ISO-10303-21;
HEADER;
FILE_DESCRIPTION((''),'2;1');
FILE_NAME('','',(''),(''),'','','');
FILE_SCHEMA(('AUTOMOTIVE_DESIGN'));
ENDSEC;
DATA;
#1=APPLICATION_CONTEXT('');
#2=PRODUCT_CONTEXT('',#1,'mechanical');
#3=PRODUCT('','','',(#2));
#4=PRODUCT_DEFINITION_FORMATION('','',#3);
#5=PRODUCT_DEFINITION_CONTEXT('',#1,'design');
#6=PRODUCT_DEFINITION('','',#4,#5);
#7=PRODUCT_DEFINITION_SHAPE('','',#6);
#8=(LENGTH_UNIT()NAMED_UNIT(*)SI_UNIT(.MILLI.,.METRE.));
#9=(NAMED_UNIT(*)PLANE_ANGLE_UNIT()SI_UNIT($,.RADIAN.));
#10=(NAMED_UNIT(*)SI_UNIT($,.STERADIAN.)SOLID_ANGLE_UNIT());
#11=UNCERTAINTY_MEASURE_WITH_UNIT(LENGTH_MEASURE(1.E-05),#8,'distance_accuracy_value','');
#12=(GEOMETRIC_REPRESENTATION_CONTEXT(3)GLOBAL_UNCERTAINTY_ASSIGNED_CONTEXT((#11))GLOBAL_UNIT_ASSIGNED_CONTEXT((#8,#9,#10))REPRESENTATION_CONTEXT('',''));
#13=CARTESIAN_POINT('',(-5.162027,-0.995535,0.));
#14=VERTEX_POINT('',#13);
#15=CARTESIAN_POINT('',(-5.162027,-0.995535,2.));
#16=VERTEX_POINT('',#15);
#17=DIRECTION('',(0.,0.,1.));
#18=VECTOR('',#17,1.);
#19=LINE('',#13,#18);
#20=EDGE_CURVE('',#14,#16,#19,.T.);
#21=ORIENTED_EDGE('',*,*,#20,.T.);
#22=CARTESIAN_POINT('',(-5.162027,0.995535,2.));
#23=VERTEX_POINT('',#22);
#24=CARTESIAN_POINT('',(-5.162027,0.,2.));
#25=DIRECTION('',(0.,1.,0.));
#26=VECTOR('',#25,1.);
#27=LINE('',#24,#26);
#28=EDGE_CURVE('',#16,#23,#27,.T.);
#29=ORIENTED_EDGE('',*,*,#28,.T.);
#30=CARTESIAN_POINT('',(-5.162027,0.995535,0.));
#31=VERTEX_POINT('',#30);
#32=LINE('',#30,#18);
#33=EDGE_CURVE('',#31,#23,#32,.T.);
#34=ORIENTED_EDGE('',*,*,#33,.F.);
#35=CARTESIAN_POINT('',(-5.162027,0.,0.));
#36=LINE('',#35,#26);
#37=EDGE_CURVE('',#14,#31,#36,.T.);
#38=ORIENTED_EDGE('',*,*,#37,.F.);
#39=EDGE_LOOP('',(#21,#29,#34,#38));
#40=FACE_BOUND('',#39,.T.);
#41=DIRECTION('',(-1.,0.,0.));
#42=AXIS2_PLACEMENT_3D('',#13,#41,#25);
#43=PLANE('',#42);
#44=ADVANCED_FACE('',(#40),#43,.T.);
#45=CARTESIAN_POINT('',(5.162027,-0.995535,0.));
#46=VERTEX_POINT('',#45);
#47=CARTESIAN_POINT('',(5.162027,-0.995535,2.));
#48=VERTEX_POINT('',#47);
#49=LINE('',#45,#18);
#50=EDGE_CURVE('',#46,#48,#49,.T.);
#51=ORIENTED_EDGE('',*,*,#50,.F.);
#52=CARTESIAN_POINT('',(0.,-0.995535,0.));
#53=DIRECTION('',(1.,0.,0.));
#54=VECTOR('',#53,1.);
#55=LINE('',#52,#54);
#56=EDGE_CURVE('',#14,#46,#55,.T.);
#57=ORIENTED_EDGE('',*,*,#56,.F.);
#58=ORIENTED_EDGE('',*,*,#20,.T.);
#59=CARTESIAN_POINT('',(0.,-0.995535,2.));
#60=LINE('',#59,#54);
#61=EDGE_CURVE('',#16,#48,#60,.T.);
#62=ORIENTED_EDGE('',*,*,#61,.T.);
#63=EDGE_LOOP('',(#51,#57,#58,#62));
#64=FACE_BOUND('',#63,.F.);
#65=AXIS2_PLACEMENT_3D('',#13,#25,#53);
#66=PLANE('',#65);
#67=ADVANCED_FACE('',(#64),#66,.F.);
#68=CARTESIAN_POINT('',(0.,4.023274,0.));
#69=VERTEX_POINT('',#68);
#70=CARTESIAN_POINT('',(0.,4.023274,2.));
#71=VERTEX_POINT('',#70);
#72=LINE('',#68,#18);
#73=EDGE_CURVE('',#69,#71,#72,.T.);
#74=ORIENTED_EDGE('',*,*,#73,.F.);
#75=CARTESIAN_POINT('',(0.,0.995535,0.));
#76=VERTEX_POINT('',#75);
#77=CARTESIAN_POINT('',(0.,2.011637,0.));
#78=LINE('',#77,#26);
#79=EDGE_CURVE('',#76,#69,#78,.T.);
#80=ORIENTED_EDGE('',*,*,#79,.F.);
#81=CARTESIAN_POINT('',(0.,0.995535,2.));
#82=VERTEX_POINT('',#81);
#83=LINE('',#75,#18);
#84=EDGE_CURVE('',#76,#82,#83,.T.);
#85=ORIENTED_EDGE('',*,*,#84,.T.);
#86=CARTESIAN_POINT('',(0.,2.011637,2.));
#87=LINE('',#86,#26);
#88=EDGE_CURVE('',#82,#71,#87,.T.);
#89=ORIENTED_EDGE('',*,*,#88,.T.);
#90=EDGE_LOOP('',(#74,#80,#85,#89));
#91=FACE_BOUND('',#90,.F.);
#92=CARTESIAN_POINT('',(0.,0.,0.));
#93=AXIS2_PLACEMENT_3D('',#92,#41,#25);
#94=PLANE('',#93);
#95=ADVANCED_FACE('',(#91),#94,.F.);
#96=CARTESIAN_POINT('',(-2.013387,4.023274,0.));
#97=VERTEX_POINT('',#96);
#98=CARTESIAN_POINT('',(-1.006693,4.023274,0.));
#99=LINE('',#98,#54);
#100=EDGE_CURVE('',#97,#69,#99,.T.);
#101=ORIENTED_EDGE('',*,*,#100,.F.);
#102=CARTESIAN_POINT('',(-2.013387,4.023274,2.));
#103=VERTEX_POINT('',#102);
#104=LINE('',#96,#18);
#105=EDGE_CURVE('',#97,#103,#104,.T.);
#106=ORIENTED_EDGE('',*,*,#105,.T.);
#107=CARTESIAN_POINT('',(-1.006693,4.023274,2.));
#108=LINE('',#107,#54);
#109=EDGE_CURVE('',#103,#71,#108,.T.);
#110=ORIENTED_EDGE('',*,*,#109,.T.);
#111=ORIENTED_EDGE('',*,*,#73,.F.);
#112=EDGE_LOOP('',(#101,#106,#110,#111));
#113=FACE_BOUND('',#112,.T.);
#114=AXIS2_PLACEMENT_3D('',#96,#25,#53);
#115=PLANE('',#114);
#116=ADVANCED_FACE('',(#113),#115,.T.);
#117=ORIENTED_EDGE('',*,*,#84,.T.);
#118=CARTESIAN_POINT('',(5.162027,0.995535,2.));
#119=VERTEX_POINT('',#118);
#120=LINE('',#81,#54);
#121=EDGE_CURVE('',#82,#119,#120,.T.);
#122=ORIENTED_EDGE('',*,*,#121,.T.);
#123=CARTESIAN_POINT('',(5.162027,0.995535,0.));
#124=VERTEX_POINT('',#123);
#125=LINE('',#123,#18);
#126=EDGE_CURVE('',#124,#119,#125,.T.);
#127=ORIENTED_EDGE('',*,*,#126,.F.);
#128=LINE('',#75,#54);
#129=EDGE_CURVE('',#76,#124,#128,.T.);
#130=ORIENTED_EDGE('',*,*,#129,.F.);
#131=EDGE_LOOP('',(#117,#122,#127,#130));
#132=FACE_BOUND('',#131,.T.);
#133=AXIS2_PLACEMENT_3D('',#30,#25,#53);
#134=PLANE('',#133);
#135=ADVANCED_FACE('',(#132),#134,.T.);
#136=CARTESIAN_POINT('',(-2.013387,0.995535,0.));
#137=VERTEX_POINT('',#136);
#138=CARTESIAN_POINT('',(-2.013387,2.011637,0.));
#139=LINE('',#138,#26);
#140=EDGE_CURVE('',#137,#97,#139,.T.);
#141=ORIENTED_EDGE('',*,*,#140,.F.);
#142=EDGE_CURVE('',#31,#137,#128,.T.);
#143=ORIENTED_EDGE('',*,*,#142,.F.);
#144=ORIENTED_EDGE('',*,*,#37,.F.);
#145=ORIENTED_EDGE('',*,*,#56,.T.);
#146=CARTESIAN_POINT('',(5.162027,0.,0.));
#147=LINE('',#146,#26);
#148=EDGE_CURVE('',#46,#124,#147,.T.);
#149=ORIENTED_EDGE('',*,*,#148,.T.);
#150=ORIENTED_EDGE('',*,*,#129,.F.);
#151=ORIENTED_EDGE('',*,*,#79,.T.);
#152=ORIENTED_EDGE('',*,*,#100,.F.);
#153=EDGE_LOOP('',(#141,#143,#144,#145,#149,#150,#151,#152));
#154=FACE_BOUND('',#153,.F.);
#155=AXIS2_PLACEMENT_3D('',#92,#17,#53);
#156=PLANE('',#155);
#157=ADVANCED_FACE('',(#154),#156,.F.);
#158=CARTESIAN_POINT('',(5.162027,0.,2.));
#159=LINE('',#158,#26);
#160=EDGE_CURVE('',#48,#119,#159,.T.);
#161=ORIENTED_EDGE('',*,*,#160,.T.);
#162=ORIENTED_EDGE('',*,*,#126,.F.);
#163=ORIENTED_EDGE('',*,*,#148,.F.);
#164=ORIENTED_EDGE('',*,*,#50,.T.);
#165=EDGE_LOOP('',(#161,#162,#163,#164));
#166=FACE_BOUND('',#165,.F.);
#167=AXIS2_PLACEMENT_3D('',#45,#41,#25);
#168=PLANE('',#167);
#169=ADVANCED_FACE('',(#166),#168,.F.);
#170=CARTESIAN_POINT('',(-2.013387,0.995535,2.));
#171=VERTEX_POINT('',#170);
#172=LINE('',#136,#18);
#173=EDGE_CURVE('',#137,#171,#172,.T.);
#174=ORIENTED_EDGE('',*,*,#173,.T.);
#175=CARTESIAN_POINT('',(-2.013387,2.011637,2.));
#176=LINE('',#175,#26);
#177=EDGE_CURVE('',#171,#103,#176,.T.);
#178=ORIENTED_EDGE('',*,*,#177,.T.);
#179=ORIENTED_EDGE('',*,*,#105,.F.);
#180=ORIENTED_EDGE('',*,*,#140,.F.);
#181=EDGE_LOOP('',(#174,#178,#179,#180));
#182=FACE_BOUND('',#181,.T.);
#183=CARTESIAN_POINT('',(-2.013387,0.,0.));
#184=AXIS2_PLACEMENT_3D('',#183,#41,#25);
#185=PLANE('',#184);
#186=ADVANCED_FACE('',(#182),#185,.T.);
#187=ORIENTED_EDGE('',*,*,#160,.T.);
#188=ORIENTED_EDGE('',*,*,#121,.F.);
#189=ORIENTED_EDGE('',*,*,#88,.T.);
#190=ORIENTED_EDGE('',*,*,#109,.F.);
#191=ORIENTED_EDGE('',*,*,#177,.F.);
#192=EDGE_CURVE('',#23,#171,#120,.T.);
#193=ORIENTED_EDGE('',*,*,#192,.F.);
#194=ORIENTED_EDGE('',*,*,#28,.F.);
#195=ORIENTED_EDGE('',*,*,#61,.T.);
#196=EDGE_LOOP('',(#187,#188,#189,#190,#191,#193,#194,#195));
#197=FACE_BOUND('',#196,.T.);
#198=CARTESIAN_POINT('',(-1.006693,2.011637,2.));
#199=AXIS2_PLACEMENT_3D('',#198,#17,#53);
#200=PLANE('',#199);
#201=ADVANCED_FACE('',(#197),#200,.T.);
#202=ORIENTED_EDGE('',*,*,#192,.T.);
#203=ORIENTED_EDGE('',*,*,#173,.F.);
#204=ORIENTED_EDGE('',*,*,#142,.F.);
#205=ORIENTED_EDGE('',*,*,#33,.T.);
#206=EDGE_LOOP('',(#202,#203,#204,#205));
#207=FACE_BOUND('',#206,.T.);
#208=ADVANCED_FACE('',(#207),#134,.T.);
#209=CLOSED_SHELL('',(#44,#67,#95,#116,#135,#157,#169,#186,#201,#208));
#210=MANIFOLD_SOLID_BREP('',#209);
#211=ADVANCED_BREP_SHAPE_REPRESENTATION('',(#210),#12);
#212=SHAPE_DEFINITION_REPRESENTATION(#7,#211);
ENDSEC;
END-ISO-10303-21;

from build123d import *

# Parameters (mm, degrees)
F0_W     = 10.324054
F0_H     = 1.99107
F1_DEPTH = 2
F2_W     = 2.013387
F2_H     = 4.023274
F3_DEPTH = 2


with BuildPart() as f1:
    # F0 (on Top) → F1 (new body)
    with BuildSketch(Plane.XY):
        Rectangle(F0_W, F0_H)
    extrude(amount=F1_DEPTH)

    # F2 (on Top) → F3 (join)
    with BuildSketch(Plane.XY):
        with Locations((-1.006693, 2.011637)):
            Rectangle(F2_W, F2_H)
    extrude(amount=F3_DEPTH)


solid = f1.part
